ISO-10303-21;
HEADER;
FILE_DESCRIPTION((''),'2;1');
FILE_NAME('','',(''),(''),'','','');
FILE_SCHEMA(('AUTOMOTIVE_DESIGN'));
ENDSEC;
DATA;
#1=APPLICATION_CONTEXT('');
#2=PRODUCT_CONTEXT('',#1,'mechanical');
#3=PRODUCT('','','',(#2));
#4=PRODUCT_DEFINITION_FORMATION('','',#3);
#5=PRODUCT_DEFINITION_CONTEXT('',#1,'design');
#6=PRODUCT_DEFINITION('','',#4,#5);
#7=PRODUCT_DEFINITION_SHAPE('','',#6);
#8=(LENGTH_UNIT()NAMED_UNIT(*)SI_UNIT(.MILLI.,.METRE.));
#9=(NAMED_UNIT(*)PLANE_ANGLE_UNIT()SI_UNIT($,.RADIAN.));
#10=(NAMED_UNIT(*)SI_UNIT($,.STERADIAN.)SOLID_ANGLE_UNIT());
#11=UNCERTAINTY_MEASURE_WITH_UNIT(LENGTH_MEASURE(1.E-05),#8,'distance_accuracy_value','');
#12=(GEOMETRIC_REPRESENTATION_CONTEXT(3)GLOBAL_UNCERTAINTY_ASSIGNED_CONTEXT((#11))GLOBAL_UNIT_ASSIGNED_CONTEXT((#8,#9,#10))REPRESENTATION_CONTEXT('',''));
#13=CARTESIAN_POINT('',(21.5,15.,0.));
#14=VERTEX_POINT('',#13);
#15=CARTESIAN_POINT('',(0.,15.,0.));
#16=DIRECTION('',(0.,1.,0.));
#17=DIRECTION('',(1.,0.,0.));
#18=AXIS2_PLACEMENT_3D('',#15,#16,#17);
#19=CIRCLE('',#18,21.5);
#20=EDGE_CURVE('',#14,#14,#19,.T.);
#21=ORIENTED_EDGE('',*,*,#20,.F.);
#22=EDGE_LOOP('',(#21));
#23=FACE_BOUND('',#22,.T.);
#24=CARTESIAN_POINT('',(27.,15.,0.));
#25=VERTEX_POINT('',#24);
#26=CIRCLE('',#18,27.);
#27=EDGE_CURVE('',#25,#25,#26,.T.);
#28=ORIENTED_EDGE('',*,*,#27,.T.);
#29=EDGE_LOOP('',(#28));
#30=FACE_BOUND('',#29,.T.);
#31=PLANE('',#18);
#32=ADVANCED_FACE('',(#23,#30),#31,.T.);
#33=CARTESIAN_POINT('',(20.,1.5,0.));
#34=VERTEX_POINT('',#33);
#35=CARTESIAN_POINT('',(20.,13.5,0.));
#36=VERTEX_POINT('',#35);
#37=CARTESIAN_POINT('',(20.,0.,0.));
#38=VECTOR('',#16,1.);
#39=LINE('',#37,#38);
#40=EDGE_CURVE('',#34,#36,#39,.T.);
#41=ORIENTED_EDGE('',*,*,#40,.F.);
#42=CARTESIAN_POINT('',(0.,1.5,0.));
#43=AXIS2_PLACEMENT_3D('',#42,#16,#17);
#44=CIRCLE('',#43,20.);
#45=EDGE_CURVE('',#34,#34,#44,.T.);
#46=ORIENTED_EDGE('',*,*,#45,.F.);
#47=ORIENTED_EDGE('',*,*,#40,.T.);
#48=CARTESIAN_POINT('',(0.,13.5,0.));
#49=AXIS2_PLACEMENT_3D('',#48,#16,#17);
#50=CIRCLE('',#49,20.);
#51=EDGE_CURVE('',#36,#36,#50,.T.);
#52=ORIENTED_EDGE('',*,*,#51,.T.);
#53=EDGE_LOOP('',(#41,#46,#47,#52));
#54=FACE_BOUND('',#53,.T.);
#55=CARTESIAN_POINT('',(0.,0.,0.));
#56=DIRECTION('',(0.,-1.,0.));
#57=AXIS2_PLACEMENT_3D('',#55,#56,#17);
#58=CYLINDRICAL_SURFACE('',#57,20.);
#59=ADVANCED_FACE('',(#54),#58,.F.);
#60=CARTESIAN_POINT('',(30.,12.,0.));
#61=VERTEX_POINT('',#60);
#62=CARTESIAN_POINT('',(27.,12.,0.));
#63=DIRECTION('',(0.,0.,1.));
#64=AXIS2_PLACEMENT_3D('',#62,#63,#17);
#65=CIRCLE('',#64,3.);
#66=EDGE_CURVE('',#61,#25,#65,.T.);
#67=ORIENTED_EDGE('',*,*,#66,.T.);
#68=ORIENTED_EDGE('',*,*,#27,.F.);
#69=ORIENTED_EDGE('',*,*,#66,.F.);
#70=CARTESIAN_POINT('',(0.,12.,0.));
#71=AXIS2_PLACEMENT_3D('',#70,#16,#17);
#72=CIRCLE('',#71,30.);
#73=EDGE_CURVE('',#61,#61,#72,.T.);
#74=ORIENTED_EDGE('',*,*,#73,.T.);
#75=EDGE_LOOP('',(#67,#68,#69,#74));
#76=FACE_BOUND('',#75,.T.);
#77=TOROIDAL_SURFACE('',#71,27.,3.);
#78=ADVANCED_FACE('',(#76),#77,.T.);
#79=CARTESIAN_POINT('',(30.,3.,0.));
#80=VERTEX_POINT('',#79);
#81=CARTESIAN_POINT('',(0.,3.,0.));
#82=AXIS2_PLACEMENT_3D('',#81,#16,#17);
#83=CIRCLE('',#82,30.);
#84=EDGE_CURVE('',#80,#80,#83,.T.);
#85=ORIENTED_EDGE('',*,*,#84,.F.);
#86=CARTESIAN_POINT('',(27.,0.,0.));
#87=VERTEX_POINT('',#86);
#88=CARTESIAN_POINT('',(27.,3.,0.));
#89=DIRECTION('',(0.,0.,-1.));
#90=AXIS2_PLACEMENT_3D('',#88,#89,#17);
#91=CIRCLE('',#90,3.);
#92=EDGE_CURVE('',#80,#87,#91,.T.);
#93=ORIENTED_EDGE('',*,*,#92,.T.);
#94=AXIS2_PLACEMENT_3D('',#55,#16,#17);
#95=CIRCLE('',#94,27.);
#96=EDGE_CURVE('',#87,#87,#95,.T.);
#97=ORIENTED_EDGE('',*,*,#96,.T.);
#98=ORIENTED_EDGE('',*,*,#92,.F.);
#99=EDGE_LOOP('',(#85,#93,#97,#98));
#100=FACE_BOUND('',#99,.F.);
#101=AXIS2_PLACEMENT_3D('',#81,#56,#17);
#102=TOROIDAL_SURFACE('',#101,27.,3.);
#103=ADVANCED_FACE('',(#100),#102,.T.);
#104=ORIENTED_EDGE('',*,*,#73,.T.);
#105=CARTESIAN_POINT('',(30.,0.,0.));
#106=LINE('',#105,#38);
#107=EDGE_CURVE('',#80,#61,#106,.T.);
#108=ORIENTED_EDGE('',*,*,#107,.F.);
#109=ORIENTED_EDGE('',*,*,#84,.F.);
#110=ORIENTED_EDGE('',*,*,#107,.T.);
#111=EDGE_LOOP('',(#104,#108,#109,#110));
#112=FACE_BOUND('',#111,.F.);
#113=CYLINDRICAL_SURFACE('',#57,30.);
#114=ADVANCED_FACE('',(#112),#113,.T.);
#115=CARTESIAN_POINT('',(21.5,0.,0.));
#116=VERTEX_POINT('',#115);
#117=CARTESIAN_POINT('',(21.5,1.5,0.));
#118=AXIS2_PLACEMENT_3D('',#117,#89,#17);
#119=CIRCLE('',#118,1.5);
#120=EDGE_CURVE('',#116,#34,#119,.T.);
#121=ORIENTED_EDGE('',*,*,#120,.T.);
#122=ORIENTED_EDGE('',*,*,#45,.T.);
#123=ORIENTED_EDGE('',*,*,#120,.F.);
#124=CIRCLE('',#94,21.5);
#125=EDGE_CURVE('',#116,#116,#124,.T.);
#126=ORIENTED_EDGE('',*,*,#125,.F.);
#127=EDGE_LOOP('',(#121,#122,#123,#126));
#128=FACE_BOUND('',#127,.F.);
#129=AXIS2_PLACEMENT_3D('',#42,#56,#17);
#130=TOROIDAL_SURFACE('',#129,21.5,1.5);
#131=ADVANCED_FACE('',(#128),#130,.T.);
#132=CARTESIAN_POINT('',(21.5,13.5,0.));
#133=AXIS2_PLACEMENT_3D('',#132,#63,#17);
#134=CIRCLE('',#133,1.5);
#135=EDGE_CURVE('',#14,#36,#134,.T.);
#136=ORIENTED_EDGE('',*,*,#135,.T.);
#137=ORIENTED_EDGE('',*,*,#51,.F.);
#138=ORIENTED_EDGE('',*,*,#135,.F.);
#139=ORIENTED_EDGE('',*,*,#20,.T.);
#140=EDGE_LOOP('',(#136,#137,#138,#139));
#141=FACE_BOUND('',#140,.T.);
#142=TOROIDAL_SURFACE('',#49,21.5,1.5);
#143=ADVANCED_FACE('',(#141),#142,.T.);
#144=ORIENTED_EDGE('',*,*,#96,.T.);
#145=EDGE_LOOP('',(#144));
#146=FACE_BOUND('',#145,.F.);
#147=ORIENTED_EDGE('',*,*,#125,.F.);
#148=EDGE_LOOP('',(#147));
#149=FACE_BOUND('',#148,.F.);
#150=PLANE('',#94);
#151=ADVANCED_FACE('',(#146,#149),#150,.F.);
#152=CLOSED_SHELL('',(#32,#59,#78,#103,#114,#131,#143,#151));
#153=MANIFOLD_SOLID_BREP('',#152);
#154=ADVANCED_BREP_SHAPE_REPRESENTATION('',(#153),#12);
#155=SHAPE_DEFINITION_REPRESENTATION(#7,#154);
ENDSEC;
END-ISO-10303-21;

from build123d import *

# Parameters (mm, degrees)
SKETCH1_R           = 30
SKETCH1_R_2         = 20
BOSS_EXTRUDE1_DEPTH = 15
FILLET1_R           = 3
FILLET2_R           = 1.5


with BuildPart() as part:
    # Sketch1 → Boss-Extrude1 (new body)
    with BuildSketch(Plane(origin=(0, 0, 0), x_dir=(1, 0, 0), z_dir=(0, 1, 0))):
        Circle(SKETCH1_R)
        Circle(SKETCH1_R_2, mode=Mode.SUBTRACT)
    extrude(amount=BOSS_EXTRUDE1_DEPTH)

    # Fillet1
    fillet1_edges = [part.edges().sort_by_distance(p)[0] for p in [
        (-30, 0, 0),
        (-30, 15, 0),
    ]]
    fillet(fillet1_edges, radius=FILLET1_R)

    # Fillet2
    fillet2_edges = [part.edges().sort_by_distance(p)[0] for p in [
        (-20, 0, 0),
        (-20, 15, 0),
    ]]
    fillet(fillet2_edges, radius=FILLET2_R)


solid = part.part
